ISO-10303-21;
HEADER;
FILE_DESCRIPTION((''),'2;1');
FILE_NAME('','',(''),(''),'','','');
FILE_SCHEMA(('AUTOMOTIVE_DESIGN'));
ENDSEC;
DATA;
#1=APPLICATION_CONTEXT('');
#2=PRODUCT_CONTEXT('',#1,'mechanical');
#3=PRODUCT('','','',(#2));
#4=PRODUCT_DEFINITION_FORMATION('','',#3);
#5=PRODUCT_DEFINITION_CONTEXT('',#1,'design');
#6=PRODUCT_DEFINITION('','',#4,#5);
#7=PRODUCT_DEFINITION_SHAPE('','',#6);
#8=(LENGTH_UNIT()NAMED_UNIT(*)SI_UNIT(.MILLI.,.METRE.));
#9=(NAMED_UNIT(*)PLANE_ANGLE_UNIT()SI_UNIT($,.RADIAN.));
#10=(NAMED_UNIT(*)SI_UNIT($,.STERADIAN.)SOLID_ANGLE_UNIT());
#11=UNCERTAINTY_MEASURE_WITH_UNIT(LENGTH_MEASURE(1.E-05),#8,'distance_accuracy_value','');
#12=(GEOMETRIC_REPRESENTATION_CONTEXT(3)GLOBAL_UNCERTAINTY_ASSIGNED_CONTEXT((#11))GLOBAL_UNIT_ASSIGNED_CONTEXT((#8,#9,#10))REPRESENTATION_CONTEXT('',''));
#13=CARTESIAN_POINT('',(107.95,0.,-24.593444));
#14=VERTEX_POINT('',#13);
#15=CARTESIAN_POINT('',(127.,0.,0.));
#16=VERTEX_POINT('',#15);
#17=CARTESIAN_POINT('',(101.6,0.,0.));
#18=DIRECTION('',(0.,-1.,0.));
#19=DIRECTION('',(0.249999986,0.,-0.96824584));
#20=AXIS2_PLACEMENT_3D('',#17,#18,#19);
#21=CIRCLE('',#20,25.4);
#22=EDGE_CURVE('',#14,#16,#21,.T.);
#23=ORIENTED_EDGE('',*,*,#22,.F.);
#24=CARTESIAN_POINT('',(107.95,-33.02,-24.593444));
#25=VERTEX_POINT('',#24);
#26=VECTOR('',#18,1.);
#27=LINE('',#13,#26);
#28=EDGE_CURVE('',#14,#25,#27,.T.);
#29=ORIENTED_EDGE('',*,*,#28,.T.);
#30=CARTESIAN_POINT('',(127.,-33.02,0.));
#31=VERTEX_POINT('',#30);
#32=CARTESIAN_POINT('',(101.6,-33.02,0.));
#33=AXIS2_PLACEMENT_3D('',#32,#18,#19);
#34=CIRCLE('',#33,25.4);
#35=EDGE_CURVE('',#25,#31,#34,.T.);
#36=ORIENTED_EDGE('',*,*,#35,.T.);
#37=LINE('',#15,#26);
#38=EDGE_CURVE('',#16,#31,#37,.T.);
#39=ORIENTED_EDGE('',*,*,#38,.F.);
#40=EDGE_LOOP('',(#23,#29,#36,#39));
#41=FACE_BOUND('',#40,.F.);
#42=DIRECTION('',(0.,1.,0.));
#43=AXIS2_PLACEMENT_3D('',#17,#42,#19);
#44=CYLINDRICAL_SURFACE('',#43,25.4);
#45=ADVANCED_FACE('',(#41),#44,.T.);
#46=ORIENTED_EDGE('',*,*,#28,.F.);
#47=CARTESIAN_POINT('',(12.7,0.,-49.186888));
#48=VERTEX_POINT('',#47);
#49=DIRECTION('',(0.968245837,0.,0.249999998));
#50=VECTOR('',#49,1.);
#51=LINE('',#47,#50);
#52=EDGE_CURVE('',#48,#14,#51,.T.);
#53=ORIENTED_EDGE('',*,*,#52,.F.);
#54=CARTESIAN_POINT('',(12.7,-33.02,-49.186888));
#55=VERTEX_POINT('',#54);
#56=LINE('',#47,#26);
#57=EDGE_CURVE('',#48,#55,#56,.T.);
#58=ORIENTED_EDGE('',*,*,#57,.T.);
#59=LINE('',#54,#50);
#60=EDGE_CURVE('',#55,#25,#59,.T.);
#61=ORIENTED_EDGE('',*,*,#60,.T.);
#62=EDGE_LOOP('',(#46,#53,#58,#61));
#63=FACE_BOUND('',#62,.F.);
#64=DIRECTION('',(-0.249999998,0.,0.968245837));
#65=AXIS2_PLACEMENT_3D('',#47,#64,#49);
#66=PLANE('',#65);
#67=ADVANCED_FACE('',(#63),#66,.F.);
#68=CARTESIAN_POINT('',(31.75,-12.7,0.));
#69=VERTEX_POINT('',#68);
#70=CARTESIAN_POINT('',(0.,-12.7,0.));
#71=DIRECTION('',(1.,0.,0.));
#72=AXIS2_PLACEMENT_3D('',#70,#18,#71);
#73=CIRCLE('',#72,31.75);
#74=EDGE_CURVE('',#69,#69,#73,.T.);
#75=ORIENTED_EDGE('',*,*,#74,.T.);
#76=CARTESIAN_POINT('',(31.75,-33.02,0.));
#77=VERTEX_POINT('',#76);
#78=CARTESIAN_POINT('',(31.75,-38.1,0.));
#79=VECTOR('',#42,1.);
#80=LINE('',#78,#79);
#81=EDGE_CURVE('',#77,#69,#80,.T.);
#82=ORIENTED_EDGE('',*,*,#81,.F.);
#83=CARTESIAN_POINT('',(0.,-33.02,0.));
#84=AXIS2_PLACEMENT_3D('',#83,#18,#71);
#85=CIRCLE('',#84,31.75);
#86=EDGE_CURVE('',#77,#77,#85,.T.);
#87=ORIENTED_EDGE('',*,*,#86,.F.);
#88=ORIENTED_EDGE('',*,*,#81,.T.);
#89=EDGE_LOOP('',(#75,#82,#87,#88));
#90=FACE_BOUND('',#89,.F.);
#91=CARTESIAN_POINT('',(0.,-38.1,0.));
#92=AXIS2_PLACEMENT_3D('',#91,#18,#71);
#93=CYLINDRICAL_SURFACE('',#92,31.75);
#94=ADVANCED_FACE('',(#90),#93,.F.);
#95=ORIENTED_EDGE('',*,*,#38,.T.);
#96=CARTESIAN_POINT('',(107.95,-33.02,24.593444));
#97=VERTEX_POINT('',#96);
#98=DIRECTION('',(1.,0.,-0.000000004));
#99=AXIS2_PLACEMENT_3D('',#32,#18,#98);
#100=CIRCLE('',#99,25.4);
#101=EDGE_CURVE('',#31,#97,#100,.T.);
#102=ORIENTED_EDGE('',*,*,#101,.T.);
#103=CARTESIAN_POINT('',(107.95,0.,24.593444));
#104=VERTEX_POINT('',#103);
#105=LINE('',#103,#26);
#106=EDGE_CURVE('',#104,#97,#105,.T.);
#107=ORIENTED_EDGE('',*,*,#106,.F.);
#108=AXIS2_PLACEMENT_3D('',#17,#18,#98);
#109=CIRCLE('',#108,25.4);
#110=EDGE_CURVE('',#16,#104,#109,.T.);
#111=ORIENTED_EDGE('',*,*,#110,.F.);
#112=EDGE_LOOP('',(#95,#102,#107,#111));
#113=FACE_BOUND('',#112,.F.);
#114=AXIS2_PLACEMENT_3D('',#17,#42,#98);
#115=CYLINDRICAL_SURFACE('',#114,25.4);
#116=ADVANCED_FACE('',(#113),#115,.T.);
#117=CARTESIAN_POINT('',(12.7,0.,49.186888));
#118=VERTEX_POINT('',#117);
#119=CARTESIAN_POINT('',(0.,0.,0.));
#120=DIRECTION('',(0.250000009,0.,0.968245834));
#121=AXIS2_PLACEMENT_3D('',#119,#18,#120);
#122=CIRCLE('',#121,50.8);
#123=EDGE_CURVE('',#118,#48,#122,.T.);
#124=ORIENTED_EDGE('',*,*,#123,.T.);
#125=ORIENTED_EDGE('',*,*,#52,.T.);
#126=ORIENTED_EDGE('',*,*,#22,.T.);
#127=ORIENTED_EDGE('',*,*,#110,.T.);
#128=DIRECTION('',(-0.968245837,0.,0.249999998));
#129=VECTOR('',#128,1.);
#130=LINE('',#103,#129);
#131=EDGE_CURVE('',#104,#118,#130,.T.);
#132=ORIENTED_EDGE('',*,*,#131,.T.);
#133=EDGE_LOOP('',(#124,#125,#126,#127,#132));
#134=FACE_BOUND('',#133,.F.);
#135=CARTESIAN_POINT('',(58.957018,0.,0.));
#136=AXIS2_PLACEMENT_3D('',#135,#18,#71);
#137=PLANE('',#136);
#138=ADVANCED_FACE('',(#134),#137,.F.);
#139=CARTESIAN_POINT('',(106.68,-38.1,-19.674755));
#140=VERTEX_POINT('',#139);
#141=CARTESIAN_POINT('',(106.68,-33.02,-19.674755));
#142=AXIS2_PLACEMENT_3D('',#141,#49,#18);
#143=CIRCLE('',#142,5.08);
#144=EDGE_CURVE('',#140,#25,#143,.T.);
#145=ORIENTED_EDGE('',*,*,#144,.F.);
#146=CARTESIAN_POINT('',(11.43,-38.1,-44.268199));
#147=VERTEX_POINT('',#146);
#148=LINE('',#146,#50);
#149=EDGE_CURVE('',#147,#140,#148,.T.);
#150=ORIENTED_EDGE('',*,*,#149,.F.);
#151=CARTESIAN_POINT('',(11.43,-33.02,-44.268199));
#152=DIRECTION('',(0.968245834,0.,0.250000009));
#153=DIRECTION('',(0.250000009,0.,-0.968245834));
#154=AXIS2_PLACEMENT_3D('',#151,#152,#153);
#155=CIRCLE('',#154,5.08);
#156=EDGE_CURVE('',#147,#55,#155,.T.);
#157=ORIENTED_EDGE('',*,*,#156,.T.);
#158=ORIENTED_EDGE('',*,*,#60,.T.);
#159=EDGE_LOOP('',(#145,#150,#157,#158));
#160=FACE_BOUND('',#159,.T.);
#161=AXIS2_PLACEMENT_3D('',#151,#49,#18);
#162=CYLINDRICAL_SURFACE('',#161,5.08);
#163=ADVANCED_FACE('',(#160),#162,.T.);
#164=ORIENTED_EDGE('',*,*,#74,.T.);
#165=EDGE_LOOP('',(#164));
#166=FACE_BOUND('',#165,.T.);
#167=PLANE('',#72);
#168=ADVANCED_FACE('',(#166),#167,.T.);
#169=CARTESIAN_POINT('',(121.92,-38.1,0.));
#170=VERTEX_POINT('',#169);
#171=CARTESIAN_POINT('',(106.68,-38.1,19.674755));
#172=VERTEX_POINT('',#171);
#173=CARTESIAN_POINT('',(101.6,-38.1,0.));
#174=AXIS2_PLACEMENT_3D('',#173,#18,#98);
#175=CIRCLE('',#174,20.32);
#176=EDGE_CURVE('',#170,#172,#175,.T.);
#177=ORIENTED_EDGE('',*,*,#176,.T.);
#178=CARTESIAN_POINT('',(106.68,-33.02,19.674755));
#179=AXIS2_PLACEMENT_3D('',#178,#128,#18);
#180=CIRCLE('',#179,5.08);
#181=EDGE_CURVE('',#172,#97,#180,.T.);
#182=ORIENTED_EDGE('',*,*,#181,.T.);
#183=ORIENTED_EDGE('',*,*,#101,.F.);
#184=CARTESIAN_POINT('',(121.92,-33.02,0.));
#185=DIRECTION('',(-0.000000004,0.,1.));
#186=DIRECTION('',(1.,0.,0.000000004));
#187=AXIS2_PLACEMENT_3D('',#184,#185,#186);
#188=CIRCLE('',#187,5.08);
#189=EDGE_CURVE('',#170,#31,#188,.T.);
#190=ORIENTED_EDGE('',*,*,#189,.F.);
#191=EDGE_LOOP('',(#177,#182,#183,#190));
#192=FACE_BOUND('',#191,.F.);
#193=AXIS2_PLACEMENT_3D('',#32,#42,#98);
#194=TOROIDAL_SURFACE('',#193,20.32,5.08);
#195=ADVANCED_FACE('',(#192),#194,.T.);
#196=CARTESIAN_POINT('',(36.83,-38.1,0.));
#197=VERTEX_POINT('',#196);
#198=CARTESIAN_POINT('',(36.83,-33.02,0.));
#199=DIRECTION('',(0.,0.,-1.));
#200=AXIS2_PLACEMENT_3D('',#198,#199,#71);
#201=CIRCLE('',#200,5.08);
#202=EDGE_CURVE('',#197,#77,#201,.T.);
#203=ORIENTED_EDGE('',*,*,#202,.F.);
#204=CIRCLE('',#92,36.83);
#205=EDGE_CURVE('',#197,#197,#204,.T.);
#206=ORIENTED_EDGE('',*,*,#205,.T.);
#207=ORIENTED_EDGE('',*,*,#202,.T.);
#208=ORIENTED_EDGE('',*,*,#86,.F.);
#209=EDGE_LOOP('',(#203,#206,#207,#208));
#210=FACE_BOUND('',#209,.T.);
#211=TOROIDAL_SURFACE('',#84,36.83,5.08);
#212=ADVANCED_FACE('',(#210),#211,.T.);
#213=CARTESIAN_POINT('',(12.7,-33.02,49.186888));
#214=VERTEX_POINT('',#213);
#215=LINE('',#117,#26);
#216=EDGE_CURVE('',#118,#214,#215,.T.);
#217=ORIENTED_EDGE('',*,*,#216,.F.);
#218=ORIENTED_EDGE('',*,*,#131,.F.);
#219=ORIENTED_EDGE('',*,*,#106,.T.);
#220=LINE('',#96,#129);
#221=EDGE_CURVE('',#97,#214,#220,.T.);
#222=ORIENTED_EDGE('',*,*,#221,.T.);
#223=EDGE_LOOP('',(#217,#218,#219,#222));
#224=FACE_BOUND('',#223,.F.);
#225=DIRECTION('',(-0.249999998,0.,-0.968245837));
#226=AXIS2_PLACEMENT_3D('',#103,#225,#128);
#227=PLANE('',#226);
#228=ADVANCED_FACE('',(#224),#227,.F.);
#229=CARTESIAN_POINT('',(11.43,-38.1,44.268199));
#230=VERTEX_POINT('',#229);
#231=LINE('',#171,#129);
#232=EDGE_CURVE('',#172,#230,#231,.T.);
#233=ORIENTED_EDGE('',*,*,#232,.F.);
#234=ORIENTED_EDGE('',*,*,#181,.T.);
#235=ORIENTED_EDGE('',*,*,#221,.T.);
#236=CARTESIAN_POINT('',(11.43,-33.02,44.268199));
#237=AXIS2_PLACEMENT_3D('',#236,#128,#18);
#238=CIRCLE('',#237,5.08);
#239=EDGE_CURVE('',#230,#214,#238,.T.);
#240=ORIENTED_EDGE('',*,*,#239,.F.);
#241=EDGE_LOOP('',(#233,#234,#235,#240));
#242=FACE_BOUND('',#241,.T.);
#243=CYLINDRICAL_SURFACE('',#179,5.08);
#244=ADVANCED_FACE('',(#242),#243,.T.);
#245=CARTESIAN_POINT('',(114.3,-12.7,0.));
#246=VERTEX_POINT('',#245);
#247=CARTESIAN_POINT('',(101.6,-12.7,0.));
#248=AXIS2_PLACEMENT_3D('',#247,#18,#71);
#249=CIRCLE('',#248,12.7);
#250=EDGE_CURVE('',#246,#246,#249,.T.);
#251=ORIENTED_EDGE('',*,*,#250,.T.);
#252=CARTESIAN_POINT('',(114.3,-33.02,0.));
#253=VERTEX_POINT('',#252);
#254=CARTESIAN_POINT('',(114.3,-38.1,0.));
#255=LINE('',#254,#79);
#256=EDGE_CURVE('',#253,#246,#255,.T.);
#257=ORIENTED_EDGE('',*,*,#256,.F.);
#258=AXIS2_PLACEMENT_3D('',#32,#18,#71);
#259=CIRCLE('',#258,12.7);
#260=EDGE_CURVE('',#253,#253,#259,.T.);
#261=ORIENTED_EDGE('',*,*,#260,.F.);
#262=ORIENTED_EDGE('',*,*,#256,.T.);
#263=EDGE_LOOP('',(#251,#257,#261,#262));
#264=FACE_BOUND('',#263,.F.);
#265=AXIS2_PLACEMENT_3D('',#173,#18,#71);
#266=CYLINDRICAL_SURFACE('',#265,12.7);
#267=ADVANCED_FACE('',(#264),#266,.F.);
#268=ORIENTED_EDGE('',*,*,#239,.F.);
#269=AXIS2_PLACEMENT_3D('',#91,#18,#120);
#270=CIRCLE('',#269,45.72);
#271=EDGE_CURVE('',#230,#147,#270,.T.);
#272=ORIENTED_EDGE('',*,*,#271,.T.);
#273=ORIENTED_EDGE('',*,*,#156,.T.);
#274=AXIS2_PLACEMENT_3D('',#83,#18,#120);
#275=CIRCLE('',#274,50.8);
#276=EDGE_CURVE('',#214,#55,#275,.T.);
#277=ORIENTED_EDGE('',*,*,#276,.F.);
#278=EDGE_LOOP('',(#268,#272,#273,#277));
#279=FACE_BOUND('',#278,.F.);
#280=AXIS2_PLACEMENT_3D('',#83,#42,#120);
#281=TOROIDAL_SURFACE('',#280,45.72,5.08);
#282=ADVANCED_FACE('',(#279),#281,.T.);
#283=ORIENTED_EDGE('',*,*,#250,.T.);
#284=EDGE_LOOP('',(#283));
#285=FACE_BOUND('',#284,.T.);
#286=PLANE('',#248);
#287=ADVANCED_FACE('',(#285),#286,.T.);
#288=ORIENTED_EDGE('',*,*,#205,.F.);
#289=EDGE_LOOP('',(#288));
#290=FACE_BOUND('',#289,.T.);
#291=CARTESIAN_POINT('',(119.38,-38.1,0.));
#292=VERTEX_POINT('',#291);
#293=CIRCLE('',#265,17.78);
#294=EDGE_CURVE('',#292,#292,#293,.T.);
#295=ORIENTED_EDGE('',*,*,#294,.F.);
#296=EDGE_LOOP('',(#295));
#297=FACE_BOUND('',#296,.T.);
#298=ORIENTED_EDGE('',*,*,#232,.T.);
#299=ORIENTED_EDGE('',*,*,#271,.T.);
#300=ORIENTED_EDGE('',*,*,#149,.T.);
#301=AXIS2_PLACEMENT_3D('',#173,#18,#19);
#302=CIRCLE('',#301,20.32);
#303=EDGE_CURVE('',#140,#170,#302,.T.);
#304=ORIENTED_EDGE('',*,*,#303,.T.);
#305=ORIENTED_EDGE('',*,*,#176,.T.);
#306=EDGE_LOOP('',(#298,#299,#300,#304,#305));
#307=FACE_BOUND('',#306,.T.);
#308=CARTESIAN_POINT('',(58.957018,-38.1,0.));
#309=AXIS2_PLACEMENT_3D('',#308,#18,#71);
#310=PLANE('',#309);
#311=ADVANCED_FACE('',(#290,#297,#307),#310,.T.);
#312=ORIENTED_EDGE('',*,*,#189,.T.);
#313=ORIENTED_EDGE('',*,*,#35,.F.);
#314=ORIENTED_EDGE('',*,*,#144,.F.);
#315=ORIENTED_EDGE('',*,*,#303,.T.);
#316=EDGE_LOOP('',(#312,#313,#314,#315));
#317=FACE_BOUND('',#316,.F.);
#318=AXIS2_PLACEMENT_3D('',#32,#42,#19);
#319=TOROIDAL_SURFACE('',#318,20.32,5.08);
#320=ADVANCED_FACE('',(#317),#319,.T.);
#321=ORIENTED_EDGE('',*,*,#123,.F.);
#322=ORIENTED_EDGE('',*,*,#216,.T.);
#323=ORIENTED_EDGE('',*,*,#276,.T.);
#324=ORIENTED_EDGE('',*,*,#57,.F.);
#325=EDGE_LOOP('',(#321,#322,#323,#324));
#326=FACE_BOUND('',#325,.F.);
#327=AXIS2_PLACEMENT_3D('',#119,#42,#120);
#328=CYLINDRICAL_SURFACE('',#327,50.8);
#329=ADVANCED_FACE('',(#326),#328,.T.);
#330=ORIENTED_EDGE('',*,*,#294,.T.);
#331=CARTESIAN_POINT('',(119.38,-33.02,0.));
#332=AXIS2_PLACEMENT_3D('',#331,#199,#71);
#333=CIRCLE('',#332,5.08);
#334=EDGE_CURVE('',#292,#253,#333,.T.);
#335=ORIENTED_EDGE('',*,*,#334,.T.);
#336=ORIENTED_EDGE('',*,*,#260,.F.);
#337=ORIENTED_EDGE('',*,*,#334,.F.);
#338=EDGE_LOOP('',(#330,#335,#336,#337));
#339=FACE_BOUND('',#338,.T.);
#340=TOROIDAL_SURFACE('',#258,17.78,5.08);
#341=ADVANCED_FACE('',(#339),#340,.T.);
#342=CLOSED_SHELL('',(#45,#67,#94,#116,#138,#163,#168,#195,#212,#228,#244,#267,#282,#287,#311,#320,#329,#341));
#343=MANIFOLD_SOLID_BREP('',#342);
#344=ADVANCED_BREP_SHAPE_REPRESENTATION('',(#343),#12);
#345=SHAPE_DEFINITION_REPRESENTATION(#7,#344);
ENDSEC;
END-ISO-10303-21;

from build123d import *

# Parameters (mm, degrees)
F0_DEPTH = 38.1
F1_R     = 31.75
F1_R_2   = 12.7
F4_DEPTH = 25.4
F2_R     = 5.08


with BuildPart() as f0:
    # F3 (on Front) → F0 (new body)
    with BuildSketch(Plane.XZ):
        with BuildLine():
            ThreePointArc((12.7, 49.186888), (40.160926, 31.10852), (50.8, 0))
            ThreePointArc((50.8, 0), (40.160926, -31.10852), (12.7, -49.186888))
            Line((12.7, -49.186888), (107.95, -24.593444))
            ThreePointArc((107.95, -24.593444), (76.2, 0), (107.95, 24.593444))
            Line((107.95, 24.593444), (12.7, 49.186888))
        make_face()
        with BuildLine():
            ThreePointArc((12.7, -49.186888), (40.160926, -31.10852), (50.8, 0))
            ThreePointArc((50.8, 0), (40.160926, 31.10852), (12.7, 49.186888))
            ThreePointArc((12.7, 49.186888), (-50.8, 0), (12.7, -49.186888))
        make_face()
        with BuildLine():
            ThreePointArc((127, 0), (121.680463, 15.55426), (107.95, 24.593444))
            ThreePointArc((107.95, 24.593444), (76.2, 0), (107.95, -24.593444))
            ThreePointArc((107.95, -24.593444), (121.680463, -15.55426), (127, 0))
        make_face()
    extrude(amount=F0_DEPTH)

    # F1 (on face) → F4 (cut)
    with BuildSketch(Plane.XZ.offset(38.1)):
        Circle(F1_R)
        with Locations((101.6, 0)):
            Circle(F1_R_2)
    extrude(amount=-F4_DEPTH, mode=Mode.SUBTRACT)

    # F2
    f2_edges = [f0.edges().sort_by_distance(p)[0] for p in [
        (-31.75, -38.1, 0),
        (88.9, -38.1, 0),
        (60.325, -38.1, 36.890166),
    ]]
    fillet(f2_edges, radius=F2_R)


solid = f0.part
